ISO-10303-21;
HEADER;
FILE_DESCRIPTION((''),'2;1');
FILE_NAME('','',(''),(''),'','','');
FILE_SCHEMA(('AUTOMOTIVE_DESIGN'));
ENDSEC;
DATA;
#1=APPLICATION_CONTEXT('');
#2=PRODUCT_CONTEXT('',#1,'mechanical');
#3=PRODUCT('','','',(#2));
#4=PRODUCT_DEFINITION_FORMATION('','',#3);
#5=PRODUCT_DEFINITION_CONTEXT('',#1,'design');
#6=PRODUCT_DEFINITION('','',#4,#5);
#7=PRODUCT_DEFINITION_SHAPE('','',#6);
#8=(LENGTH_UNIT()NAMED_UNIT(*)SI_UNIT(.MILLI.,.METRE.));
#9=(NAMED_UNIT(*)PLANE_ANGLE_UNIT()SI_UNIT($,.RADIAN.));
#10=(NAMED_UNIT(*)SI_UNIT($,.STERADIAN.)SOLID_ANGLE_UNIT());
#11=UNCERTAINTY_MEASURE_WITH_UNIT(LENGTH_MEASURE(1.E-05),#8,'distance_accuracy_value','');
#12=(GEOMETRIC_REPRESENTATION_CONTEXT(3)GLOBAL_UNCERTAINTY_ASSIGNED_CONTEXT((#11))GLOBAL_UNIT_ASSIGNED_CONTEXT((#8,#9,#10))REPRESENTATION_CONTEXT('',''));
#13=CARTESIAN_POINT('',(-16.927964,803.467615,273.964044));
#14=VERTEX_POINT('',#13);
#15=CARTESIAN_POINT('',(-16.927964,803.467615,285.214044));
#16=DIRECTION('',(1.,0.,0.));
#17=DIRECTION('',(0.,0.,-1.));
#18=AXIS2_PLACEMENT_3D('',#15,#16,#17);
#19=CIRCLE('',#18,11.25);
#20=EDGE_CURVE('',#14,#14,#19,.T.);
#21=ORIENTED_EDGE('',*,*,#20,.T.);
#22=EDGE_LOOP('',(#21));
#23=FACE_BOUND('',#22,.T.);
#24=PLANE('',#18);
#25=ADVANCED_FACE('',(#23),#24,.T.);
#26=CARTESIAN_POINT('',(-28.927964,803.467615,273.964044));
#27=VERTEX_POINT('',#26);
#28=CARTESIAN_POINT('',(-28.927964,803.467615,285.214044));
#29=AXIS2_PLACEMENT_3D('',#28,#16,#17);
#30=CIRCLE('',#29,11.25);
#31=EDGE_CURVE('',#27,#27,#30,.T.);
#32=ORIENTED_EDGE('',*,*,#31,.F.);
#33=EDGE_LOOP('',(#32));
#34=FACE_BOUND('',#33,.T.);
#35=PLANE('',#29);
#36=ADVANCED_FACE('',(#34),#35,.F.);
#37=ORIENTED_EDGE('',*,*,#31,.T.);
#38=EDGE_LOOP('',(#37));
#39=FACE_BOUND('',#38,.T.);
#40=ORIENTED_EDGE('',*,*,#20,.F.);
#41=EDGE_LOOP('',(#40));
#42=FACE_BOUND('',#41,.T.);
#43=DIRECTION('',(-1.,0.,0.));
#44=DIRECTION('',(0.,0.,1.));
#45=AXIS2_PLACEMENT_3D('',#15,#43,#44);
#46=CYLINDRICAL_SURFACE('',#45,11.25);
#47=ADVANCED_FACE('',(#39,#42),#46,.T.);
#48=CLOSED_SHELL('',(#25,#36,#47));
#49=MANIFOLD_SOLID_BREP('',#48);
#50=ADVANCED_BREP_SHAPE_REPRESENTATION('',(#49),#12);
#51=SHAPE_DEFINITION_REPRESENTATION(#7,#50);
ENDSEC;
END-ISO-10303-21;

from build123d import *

# Parameters (mm, degrees)
SKETCH1_R           = 11.25
BOSS_EXTRUDE1_DEPTH = 12


with BuildPart() as part:
    # Sketch1 → Boss-Extrude1 (new body)
    with BuildSketch(Plane(origin=(-28.927963964, 0, 0), x_dir=(4.691478083755481e-12, 0, -1.0), z_dir=(1.0, 2.708687525006113e-12, 4.691478083755481e-12))):
        with Locations((-285.214044325, 803.467614781)):
            Circle(SKETCH1_R)
    extrude(amount=BOSS_EXTRUDE1_DEPTH)


solid = part.part
